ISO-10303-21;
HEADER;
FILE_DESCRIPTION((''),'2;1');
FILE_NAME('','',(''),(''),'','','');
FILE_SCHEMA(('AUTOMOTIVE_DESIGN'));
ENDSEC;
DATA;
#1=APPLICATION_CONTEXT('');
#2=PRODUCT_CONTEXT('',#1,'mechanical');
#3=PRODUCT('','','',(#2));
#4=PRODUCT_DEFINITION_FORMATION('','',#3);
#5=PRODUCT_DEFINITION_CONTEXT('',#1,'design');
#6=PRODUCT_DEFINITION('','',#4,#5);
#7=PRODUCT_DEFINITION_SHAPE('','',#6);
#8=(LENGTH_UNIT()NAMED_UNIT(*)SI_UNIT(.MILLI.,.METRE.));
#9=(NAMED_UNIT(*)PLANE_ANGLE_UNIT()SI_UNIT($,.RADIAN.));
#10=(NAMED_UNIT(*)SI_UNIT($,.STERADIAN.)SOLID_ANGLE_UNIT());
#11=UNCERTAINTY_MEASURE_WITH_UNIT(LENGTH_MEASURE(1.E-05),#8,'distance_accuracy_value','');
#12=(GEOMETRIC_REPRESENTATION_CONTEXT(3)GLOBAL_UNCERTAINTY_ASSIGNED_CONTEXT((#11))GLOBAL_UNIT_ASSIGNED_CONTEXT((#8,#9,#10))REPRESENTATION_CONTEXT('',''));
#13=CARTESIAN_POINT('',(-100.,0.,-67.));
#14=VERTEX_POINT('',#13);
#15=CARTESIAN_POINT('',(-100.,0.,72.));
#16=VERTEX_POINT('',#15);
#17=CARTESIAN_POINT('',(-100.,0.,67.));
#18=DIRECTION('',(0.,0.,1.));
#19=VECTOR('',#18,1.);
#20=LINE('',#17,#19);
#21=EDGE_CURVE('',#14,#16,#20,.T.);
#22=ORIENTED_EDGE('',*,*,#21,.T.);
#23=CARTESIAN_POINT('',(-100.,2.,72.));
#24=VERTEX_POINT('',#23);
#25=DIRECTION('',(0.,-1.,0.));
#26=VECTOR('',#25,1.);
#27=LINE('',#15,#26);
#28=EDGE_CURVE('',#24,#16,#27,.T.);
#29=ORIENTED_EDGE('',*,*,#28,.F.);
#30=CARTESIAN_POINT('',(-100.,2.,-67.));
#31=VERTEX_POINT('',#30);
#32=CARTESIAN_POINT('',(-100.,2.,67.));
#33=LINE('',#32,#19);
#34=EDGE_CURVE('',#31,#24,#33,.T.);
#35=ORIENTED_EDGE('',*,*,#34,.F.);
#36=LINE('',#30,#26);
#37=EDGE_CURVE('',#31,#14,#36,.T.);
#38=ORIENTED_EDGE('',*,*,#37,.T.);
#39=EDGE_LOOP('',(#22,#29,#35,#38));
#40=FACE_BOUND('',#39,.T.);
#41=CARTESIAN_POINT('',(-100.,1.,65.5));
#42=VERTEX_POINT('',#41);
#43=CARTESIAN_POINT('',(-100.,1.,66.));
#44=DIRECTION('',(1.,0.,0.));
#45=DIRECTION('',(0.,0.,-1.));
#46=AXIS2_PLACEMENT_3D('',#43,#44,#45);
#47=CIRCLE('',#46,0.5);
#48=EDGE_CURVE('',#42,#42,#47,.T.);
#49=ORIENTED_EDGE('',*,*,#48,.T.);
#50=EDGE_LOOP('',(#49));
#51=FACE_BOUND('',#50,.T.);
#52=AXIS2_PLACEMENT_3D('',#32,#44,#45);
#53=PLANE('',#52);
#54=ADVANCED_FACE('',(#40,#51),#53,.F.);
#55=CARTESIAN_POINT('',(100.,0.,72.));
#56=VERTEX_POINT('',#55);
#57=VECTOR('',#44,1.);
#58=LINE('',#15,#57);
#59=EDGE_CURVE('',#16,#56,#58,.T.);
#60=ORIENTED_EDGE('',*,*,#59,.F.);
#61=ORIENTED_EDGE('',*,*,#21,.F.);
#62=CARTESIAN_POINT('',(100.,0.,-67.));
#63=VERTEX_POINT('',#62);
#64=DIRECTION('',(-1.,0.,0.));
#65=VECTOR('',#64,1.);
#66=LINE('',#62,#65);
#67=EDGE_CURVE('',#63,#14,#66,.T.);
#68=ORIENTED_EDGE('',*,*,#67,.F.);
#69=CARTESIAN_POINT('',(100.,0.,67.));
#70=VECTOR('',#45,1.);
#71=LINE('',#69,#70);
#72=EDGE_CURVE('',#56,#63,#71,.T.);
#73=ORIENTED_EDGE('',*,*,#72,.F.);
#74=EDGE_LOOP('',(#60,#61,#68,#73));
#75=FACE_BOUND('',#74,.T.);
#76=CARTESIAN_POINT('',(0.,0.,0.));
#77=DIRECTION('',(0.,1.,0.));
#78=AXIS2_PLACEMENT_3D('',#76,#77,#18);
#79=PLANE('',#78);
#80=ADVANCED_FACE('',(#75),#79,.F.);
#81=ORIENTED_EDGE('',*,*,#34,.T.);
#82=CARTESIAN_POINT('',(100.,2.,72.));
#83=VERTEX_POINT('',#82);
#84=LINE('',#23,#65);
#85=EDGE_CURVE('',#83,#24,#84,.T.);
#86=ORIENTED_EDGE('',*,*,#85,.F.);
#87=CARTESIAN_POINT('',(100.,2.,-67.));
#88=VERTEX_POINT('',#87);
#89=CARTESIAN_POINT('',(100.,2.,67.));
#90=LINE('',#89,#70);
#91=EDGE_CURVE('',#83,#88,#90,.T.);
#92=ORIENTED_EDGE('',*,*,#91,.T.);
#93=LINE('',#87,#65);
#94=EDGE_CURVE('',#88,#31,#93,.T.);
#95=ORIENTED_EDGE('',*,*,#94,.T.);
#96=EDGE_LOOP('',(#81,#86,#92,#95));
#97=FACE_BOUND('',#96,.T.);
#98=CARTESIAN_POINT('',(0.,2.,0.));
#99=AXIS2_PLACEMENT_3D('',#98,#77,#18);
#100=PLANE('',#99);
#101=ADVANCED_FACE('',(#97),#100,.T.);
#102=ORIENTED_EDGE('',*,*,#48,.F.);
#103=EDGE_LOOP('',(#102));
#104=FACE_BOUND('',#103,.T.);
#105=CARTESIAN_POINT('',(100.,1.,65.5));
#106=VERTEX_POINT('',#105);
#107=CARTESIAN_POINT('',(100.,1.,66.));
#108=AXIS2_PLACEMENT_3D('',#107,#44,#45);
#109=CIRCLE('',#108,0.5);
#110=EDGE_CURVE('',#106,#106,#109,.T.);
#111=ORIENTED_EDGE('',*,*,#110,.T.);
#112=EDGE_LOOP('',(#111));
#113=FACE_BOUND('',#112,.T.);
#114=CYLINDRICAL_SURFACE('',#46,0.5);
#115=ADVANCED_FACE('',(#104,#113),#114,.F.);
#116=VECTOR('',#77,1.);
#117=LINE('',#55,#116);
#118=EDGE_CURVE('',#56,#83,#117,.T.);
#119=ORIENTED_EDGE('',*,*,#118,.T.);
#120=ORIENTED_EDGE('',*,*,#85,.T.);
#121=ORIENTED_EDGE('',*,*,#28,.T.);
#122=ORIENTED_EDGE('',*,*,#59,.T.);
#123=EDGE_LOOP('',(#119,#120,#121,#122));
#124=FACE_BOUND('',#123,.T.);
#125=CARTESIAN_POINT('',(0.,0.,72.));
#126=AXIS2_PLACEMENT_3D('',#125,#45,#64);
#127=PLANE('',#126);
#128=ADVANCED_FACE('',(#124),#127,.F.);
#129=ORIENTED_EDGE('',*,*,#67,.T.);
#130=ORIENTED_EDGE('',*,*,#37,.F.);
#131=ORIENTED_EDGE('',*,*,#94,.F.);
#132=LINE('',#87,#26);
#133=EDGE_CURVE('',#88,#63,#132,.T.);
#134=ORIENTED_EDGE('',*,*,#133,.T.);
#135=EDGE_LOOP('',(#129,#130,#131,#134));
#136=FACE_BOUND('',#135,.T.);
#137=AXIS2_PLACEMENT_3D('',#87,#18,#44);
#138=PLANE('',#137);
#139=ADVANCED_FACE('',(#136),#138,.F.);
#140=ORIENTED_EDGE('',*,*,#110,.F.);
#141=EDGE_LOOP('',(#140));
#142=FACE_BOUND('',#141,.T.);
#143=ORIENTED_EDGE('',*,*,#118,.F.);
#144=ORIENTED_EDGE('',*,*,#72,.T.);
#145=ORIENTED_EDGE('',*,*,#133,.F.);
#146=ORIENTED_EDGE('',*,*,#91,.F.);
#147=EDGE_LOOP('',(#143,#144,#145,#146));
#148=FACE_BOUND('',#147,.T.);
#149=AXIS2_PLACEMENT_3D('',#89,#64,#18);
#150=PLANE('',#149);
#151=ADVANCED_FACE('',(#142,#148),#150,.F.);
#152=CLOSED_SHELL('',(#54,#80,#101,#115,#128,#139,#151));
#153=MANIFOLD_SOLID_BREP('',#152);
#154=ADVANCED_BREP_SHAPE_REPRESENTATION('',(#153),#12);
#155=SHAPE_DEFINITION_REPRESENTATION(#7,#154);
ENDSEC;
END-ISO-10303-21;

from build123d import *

# Parameters (mm, degrees)
SKETCH1_W           = 200
SKETCH1_H           = 134
BOSS_EXTRUDE1_DEPTH = 2
SKETCH2_R           = 0.5
CUT_EXTRUDE1_DEPTH  = 211.933638854
SKETCH3_W           = 200
SKETCH3_H           = 2
BOSS_EXTRUDE2_DEPTH = 5


with BuildPart() as part:
    # Sketch1 → Boss-Extrude1 (new body)
    with BuildSketch(Plane(origin=(0, 0, 0), x_dir=(1, 0, 0), z_dir=(0, 1, 0))):
        Rectangle(SKETCH1_W, SKETCH1_H)
    extrude(amount=BOSS_EXTRUDE1_DEPTH)

    # Sketch2 → Cut-Extrude1 (cut, through all)
    with BuildSketch(Plane(origin=(100, 0, 0), x_dir=(0, 0, -1), z_dir=(1, 0, 0))):
        with Locations((-66, 1)):
            Circle(SKETCH2_R)
    extrude(amount=-CUT_EXTRUDE1_DEPTH, mode=Mode.SUBTRACT)

    # Sketch3 → Boss-Extrude2 (add)
    with BuildSketch(Plane.XY.offset(67)):
        with Locations((0, 1)):
            Rectangle(SKETCH3_W, SKETCH3_H)
    extrude(amount=BOSS_EXTRUDE2_DEPTH)


solid = part.part
